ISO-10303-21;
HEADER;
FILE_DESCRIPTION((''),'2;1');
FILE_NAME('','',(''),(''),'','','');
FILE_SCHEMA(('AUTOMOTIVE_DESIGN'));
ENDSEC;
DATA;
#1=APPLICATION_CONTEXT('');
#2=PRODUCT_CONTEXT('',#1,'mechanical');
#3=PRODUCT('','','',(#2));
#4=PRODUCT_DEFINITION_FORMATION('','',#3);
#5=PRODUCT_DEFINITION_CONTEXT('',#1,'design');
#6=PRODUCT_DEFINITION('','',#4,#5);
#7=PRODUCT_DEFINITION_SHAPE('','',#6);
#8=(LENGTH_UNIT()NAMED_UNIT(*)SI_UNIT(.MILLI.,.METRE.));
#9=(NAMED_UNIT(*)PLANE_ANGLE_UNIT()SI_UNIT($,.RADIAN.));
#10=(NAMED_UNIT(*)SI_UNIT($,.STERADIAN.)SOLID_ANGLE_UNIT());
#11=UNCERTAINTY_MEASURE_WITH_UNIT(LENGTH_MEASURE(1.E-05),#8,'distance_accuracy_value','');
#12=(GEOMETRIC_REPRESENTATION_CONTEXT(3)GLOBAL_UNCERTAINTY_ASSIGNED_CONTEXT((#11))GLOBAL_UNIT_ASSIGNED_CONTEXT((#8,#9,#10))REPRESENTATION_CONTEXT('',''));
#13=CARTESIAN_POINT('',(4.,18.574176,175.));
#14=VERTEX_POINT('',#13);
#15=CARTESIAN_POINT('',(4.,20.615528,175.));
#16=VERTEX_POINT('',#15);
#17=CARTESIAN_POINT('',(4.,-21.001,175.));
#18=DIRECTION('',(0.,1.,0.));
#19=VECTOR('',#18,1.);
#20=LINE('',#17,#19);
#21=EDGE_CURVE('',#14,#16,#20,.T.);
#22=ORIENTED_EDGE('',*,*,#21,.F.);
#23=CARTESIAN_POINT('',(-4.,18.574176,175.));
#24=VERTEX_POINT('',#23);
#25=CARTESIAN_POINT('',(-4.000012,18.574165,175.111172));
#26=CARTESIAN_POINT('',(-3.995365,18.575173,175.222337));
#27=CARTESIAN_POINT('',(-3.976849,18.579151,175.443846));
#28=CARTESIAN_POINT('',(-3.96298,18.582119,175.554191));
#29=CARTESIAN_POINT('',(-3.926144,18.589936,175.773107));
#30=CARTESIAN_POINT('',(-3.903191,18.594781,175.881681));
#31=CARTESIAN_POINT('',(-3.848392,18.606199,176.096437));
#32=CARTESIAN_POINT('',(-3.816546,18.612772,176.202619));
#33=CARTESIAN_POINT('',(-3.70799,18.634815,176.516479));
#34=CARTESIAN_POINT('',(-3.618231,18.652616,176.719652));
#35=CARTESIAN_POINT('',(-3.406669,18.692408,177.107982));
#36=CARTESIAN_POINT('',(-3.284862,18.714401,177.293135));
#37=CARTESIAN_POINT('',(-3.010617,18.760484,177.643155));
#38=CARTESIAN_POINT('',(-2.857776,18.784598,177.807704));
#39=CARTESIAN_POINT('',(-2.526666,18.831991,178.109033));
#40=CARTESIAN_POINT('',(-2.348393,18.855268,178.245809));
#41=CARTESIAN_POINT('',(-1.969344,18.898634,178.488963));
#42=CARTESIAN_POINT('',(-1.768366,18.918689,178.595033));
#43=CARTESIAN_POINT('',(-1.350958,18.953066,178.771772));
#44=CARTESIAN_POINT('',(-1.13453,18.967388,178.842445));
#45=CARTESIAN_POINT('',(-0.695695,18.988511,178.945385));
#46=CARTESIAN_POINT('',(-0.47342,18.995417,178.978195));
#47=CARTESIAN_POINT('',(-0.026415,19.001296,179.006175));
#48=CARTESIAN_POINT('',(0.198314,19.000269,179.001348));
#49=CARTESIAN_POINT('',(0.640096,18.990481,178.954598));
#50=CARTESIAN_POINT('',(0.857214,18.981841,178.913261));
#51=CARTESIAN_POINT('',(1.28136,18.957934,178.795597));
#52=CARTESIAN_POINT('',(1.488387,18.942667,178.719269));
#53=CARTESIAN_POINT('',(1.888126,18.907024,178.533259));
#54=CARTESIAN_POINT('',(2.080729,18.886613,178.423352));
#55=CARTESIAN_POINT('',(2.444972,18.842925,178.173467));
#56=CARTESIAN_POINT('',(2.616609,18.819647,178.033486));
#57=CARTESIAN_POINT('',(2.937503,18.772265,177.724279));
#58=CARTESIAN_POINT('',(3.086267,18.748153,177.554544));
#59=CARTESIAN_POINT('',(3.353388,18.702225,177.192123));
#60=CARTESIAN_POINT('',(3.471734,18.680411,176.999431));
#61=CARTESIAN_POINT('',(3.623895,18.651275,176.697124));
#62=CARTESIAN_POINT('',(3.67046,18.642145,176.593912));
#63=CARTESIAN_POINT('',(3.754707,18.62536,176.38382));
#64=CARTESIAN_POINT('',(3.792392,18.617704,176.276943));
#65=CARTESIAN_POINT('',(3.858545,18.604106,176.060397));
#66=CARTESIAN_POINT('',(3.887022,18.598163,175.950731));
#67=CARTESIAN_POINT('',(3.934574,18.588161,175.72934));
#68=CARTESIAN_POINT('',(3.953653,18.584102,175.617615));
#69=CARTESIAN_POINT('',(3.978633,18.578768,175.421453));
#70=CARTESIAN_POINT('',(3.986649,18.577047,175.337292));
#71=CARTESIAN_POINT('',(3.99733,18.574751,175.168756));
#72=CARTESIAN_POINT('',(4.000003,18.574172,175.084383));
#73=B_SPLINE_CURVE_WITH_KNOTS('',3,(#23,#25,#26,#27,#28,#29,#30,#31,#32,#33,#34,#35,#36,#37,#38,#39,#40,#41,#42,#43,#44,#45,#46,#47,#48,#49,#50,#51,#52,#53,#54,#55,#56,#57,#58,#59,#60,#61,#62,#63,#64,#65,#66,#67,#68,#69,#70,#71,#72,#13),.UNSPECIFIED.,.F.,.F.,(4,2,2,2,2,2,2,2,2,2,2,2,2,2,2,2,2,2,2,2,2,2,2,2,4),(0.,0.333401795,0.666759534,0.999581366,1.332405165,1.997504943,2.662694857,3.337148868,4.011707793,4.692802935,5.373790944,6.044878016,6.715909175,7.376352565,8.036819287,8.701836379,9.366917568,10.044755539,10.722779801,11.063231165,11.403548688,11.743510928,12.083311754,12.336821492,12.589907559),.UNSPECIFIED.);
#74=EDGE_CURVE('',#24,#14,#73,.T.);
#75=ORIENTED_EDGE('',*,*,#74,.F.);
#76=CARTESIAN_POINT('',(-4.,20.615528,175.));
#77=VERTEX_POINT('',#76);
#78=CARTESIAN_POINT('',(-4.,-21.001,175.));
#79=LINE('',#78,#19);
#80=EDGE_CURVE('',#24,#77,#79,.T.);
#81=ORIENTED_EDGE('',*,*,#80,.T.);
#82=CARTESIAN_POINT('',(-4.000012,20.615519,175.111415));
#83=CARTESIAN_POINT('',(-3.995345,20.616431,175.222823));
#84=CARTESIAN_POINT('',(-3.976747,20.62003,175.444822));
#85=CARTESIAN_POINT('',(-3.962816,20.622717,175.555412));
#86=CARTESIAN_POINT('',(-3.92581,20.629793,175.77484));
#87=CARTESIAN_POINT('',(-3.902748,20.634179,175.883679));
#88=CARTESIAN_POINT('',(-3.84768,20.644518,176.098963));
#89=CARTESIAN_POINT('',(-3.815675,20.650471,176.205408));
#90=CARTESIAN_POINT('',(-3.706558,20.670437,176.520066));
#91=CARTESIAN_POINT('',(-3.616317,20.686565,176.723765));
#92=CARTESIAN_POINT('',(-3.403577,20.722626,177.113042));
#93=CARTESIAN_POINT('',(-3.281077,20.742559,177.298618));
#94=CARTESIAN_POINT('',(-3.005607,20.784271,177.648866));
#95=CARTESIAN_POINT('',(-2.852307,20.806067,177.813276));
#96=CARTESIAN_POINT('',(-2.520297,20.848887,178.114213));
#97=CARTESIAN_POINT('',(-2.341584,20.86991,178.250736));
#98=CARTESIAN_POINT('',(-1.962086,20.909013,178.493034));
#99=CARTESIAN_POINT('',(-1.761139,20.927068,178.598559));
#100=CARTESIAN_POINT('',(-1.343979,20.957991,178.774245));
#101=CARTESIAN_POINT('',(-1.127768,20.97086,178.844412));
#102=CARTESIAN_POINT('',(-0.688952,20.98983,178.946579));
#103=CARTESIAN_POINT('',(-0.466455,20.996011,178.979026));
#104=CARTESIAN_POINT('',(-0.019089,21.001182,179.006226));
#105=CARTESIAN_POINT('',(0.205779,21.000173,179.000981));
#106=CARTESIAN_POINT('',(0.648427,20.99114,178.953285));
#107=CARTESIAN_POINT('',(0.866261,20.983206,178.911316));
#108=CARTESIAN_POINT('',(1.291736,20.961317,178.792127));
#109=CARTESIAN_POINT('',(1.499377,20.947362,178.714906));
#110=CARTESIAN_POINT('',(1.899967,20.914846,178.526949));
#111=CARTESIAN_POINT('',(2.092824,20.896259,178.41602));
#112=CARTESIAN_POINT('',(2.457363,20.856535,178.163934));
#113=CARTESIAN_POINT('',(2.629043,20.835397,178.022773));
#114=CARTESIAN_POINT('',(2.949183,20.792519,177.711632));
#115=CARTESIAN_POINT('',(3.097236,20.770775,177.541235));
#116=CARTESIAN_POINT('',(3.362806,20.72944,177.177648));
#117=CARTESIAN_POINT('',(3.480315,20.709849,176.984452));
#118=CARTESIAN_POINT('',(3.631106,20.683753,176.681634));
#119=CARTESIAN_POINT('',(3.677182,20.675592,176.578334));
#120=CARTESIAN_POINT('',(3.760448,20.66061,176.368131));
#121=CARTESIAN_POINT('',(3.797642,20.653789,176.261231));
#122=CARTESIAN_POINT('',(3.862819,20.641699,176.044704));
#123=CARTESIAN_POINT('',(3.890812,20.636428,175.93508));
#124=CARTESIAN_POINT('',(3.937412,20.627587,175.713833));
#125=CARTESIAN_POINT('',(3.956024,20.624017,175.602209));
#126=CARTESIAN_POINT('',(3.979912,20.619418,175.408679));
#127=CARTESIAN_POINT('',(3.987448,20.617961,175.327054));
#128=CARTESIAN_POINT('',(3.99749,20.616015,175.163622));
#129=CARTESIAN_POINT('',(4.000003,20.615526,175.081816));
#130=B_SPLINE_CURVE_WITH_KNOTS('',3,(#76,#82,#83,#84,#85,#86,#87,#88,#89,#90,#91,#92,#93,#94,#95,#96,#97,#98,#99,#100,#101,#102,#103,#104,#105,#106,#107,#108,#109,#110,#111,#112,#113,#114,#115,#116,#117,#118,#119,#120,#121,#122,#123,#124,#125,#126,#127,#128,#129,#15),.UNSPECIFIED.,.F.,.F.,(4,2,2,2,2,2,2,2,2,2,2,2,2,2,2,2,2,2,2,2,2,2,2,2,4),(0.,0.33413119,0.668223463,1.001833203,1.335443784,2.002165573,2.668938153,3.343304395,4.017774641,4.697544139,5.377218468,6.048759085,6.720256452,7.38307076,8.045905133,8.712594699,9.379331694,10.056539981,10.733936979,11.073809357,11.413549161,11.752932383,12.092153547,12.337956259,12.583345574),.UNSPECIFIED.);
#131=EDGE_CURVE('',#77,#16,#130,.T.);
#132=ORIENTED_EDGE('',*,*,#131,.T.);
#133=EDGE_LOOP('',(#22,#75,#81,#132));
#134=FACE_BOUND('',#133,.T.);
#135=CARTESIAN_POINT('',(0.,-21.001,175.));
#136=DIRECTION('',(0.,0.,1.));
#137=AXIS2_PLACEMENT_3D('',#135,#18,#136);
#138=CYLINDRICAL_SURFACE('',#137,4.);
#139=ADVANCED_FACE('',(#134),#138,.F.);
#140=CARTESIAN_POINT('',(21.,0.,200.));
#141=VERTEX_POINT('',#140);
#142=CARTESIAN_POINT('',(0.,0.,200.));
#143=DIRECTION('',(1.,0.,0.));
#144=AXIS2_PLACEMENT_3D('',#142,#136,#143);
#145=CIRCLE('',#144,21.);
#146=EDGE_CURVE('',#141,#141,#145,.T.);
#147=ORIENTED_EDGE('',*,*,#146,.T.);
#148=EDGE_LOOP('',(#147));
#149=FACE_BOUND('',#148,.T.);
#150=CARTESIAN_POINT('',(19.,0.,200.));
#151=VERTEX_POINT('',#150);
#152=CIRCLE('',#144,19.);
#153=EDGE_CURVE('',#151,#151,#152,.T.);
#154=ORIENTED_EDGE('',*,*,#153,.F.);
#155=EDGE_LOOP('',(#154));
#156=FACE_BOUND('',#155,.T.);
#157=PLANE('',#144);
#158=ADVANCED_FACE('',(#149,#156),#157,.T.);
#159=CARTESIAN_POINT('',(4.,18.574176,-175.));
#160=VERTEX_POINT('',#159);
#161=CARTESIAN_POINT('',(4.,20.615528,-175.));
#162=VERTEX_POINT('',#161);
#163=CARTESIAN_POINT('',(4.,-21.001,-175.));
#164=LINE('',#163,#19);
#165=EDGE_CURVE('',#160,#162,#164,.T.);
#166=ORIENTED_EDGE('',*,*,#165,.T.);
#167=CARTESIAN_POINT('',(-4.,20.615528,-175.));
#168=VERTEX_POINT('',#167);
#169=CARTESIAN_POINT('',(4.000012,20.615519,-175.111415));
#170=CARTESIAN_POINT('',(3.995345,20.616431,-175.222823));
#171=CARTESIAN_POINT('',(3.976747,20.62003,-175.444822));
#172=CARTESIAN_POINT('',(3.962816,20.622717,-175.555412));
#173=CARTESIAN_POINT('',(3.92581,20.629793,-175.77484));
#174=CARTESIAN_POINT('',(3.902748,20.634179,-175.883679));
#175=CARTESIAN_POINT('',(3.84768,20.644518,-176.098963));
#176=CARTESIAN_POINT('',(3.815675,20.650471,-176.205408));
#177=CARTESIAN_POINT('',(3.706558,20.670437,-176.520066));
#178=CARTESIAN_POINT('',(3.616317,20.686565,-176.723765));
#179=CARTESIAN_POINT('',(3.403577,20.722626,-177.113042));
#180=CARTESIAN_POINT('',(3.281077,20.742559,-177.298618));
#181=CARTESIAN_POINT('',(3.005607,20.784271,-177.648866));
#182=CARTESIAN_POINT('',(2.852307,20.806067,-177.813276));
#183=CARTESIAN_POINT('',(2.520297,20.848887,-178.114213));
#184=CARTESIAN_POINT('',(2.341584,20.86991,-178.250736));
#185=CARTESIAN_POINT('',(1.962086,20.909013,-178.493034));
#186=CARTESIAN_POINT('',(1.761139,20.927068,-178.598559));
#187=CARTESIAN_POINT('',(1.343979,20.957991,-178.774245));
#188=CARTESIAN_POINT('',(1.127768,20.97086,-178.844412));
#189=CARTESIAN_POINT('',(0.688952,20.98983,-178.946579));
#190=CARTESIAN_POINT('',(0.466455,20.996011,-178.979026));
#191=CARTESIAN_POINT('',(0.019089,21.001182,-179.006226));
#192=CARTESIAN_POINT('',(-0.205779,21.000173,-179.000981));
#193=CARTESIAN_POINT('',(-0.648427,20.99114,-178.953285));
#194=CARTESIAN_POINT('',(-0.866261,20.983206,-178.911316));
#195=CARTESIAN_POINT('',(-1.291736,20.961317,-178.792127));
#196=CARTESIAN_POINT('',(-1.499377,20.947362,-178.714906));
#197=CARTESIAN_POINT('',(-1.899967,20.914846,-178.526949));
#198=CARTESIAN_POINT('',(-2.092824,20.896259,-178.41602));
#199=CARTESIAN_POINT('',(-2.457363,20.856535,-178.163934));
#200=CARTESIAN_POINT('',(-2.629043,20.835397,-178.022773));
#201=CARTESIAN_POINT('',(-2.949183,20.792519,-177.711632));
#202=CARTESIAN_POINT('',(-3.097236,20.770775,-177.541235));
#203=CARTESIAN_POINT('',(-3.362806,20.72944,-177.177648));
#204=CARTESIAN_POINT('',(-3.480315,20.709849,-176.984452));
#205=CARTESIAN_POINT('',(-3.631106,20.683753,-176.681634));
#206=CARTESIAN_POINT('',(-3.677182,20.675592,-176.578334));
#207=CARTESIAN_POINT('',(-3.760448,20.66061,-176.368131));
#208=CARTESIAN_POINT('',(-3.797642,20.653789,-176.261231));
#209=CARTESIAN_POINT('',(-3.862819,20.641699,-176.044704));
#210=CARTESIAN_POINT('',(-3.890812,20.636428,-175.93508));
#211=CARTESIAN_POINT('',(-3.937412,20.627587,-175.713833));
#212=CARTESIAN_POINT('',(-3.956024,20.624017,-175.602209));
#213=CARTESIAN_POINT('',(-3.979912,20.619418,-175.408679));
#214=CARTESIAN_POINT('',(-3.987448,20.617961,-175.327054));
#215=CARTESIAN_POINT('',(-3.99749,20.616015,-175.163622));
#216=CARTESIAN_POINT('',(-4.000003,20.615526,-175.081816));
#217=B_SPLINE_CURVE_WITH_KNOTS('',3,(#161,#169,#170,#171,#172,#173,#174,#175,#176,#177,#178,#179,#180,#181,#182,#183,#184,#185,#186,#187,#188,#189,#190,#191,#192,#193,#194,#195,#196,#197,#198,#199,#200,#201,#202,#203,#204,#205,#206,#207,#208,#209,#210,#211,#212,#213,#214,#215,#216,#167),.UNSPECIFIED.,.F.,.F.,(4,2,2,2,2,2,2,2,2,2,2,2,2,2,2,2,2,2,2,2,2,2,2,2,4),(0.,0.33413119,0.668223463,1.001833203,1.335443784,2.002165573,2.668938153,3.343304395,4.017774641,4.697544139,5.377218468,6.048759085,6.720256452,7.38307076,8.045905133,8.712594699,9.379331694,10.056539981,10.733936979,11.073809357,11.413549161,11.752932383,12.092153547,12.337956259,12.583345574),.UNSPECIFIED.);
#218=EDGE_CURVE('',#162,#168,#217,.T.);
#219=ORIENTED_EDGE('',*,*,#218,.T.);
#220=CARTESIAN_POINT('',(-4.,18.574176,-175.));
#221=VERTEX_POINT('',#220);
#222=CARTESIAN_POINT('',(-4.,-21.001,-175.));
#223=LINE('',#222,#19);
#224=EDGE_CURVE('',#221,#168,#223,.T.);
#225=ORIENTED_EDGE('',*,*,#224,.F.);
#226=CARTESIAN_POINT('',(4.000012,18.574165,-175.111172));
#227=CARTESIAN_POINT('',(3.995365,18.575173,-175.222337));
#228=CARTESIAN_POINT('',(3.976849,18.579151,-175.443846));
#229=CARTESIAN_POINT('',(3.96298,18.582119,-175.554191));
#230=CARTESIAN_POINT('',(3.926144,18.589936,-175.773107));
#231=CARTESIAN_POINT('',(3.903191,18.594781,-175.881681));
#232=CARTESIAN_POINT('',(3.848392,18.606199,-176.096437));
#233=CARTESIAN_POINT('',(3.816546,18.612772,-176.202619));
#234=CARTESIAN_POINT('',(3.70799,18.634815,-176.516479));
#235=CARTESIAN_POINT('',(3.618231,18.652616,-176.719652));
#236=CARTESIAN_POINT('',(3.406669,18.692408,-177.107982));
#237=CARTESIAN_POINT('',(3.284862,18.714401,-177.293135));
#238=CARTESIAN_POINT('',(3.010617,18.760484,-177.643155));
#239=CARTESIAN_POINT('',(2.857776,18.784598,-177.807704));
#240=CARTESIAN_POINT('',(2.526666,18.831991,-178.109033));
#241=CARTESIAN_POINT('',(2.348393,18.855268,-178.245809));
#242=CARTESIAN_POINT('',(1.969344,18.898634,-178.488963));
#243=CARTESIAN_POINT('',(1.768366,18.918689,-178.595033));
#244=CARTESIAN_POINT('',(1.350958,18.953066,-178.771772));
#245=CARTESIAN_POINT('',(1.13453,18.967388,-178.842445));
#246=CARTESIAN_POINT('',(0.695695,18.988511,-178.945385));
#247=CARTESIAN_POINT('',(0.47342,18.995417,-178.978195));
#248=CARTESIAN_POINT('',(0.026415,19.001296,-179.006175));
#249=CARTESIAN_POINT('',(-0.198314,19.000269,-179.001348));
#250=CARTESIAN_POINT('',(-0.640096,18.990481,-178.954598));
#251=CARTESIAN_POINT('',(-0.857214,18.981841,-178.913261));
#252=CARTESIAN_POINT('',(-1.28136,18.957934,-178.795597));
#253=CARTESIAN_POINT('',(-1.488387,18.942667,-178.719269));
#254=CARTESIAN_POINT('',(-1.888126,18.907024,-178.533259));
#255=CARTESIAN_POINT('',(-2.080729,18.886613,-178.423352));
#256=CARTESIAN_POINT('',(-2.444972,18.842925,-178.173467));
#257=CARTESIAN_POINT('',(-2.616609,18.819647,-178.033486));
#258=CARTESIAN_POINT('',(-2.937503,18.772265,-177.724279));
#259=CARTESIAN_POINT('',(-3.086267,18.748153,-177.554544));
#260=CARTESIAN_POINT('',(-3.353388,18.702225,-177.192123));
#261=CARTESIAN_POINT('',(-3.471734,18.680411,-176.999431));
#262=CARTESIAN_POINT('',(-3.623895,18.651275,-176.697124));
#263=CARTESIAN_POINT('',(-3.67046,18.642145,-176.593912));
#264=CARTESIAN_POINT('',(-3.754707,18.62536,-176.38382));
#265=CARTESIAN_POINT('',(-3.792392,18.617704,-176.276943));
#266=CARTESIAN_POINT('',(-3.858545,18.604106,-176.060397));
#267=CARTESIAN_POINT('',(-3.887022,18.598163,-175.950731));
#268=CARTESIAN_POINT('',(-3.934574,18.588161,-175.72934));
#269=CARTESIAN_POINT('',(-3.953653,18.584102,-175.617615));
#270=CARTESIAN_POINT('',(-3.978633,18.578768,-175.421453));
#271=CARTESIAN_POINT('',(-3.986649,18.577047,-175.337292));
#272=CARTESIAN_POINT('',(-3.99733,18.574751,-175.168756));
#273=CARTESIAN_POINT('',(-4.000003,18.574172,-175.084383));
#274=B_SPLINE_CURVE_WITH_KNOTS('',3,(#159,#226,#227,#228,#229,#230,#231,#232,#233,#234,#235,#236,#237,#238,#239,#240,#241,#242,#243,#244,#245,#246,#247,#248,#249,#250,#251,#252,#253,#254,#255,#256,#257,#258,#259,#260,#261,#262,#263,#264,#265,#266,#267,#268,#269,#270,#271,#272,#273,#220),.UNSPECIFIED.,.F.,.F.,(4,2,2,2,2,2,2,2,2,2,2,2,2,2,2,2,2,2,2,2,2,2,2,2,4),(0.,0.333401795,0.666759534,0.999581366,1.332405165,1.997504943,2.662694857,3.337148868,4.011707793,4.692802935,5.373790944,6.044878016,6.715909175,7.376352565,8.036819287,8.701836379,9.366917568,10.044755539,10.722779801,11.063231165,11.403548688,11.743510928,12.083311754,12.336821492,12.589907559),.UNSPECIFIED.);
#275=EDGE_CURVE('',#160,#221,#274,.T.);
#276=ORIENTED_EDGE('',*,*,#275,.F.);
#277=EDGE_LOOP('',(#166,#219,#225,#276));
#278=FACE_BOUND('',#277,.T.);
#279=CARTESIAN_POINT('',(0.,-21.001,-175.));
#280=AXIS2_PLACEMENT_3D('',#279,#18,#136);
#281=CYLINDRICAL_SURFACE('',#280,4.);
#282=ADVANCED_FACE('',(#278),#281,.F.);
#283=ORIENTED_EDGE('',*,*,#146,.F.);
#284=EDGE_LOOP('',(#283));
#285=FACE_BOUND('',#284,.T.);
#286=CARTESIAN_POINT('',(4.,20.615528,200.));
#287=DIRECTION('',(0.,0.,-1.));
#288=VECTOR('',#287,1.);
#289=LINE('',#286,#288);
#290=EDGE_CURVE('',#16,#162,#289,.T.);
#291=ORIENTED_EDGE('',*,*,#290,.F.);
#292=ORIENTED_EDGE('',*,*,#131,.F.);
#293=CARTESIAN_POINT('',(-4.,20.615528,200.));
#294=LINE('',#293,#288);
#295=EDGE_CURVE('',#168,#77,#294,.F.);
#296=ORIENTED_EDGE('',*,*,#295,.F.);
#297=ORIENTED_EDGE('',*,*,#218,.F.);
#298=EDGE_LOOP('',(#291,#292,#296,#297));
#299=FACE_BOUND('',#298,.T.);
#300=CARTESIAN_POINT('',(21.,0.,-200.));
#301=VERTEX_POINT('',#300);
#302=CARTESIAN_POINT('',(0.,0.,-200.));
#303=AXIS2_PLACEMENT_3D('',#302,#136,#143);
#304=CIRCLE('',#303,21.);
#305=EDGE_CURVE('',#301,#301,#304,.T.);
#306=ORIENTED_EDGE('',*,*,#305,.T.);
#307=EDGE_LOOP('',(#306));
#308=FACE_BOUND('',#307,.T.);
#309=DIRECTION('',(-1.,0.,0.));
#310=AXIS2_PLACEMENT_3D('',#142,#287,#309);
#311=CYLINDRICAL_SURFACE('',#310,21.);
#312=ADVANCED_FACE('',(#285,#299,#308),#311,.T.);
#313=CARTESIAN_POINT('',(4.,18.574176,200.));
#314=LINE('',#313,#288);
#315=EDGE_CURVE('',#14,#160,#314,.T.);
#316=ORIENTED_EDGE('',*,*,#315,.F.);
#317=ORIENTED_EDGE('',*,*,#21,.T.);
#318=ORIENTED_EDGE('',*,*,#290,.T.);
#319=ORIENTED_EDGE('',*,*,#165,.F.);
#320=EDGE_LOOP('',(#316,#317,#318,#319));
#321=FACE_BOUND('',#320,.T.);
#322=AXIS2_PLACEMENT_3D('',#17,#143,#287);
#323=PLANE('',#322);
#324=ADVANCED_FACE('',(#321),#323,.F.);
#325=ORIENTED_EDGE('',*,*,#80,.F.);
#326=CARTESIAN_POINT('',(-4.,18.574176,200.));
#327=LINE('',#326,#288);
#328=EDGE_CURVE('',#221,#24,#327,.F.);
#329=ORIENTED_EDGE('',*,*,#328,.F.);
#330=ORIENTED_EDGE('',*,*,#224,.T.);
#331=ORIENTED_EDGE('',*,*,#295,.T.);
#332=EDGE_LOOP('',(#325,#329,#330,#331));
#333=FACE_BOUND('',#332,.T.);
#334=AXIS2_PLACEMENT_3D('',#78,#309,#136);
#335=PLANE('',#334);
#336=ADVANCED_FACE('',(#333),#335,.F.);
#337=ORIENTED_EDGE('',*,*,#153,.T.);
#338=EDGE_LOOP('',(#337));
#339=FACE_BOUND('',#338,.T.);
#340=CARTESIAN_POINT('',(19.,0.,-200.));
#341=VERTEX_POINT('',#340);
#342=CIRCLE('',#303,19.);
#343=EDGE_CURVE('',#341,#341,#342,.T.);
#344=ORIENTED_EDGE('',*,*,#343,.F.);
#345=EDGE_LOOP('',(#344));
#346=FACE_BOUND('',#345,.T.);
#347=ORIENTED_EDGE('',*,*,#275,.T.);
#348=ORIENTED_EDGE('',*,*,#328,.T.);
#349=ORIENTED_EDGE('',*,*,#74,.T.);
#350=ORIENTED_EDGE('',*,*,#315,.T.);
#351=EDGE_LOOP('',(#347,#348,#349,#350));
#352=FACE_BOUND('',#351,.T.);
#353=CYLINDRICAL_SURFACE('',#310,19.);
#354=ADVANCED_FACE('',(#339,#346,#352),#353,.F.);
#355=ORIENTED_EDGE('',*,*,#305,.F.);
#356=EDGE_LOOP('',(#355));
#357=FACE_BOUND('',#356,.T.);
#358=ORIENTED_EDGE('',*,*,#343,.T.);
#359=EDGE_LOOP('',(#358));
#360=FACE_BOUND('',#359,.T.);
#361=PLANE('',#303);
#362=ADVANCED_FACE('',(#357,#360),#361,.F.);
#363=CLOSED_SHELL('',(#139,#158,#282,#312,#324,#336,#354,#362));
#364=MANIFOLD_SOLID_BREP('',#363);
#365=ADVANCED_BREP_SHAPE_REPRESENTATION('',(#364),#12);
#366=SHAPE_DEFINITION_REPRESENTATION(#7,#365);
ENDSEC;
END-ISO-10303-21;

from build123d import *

# Parameters (mm, degrees)
SKETCH1_R           = 21
SKETCH1_R_2         = 19
BOSS_EXTRUDE1_DEPTH = 200
CUT_EXTRUDE1_REACH  = 45


with BuildPart() as part:
    # Sketch1 → Boss-Extrude1 (new body, symmetric)
    with BuildSketch(Plane.XY):
        Circle(SKETCH1_R)
        Circle(SKETCH1_R_2, mode=Mode.SUBTRACT)
    extrude(amount=BOSS_EXTRUDE1_DEPTH, both=True)

    # Sketch2 → Cut-Extrude1 (cut, up to next)
    with BuildSketch(Plane(origin=(0, 22, 0), x_dir=(1, 0, 0), z_dir=(0, 1, 0)), mode=Mode.PRIVATE) as cut_extrude1_sk1:
        with BuildLine():
            Line((-4, -175), (-4, 175))
            ThreePointArc((-4, 175), (0, 179), (4, 175))
            Line((4, 175), (4, -175))
            ThreePointArc((4, -175), (0, -179), (-4, -175))
        make_face()
    cut_extrude1_tool1 = extrude(cut_extrude1_sk1.sketch, amount=-CUT_EXTRUDE1_REACH, mode=Mode.PRIVATE) & part.part
    add(cut_extrude1_tool1.solids().sort_by_distance((0, 22, 0))[0], mode=Mode.SUBTRACT)


solid = part.part
